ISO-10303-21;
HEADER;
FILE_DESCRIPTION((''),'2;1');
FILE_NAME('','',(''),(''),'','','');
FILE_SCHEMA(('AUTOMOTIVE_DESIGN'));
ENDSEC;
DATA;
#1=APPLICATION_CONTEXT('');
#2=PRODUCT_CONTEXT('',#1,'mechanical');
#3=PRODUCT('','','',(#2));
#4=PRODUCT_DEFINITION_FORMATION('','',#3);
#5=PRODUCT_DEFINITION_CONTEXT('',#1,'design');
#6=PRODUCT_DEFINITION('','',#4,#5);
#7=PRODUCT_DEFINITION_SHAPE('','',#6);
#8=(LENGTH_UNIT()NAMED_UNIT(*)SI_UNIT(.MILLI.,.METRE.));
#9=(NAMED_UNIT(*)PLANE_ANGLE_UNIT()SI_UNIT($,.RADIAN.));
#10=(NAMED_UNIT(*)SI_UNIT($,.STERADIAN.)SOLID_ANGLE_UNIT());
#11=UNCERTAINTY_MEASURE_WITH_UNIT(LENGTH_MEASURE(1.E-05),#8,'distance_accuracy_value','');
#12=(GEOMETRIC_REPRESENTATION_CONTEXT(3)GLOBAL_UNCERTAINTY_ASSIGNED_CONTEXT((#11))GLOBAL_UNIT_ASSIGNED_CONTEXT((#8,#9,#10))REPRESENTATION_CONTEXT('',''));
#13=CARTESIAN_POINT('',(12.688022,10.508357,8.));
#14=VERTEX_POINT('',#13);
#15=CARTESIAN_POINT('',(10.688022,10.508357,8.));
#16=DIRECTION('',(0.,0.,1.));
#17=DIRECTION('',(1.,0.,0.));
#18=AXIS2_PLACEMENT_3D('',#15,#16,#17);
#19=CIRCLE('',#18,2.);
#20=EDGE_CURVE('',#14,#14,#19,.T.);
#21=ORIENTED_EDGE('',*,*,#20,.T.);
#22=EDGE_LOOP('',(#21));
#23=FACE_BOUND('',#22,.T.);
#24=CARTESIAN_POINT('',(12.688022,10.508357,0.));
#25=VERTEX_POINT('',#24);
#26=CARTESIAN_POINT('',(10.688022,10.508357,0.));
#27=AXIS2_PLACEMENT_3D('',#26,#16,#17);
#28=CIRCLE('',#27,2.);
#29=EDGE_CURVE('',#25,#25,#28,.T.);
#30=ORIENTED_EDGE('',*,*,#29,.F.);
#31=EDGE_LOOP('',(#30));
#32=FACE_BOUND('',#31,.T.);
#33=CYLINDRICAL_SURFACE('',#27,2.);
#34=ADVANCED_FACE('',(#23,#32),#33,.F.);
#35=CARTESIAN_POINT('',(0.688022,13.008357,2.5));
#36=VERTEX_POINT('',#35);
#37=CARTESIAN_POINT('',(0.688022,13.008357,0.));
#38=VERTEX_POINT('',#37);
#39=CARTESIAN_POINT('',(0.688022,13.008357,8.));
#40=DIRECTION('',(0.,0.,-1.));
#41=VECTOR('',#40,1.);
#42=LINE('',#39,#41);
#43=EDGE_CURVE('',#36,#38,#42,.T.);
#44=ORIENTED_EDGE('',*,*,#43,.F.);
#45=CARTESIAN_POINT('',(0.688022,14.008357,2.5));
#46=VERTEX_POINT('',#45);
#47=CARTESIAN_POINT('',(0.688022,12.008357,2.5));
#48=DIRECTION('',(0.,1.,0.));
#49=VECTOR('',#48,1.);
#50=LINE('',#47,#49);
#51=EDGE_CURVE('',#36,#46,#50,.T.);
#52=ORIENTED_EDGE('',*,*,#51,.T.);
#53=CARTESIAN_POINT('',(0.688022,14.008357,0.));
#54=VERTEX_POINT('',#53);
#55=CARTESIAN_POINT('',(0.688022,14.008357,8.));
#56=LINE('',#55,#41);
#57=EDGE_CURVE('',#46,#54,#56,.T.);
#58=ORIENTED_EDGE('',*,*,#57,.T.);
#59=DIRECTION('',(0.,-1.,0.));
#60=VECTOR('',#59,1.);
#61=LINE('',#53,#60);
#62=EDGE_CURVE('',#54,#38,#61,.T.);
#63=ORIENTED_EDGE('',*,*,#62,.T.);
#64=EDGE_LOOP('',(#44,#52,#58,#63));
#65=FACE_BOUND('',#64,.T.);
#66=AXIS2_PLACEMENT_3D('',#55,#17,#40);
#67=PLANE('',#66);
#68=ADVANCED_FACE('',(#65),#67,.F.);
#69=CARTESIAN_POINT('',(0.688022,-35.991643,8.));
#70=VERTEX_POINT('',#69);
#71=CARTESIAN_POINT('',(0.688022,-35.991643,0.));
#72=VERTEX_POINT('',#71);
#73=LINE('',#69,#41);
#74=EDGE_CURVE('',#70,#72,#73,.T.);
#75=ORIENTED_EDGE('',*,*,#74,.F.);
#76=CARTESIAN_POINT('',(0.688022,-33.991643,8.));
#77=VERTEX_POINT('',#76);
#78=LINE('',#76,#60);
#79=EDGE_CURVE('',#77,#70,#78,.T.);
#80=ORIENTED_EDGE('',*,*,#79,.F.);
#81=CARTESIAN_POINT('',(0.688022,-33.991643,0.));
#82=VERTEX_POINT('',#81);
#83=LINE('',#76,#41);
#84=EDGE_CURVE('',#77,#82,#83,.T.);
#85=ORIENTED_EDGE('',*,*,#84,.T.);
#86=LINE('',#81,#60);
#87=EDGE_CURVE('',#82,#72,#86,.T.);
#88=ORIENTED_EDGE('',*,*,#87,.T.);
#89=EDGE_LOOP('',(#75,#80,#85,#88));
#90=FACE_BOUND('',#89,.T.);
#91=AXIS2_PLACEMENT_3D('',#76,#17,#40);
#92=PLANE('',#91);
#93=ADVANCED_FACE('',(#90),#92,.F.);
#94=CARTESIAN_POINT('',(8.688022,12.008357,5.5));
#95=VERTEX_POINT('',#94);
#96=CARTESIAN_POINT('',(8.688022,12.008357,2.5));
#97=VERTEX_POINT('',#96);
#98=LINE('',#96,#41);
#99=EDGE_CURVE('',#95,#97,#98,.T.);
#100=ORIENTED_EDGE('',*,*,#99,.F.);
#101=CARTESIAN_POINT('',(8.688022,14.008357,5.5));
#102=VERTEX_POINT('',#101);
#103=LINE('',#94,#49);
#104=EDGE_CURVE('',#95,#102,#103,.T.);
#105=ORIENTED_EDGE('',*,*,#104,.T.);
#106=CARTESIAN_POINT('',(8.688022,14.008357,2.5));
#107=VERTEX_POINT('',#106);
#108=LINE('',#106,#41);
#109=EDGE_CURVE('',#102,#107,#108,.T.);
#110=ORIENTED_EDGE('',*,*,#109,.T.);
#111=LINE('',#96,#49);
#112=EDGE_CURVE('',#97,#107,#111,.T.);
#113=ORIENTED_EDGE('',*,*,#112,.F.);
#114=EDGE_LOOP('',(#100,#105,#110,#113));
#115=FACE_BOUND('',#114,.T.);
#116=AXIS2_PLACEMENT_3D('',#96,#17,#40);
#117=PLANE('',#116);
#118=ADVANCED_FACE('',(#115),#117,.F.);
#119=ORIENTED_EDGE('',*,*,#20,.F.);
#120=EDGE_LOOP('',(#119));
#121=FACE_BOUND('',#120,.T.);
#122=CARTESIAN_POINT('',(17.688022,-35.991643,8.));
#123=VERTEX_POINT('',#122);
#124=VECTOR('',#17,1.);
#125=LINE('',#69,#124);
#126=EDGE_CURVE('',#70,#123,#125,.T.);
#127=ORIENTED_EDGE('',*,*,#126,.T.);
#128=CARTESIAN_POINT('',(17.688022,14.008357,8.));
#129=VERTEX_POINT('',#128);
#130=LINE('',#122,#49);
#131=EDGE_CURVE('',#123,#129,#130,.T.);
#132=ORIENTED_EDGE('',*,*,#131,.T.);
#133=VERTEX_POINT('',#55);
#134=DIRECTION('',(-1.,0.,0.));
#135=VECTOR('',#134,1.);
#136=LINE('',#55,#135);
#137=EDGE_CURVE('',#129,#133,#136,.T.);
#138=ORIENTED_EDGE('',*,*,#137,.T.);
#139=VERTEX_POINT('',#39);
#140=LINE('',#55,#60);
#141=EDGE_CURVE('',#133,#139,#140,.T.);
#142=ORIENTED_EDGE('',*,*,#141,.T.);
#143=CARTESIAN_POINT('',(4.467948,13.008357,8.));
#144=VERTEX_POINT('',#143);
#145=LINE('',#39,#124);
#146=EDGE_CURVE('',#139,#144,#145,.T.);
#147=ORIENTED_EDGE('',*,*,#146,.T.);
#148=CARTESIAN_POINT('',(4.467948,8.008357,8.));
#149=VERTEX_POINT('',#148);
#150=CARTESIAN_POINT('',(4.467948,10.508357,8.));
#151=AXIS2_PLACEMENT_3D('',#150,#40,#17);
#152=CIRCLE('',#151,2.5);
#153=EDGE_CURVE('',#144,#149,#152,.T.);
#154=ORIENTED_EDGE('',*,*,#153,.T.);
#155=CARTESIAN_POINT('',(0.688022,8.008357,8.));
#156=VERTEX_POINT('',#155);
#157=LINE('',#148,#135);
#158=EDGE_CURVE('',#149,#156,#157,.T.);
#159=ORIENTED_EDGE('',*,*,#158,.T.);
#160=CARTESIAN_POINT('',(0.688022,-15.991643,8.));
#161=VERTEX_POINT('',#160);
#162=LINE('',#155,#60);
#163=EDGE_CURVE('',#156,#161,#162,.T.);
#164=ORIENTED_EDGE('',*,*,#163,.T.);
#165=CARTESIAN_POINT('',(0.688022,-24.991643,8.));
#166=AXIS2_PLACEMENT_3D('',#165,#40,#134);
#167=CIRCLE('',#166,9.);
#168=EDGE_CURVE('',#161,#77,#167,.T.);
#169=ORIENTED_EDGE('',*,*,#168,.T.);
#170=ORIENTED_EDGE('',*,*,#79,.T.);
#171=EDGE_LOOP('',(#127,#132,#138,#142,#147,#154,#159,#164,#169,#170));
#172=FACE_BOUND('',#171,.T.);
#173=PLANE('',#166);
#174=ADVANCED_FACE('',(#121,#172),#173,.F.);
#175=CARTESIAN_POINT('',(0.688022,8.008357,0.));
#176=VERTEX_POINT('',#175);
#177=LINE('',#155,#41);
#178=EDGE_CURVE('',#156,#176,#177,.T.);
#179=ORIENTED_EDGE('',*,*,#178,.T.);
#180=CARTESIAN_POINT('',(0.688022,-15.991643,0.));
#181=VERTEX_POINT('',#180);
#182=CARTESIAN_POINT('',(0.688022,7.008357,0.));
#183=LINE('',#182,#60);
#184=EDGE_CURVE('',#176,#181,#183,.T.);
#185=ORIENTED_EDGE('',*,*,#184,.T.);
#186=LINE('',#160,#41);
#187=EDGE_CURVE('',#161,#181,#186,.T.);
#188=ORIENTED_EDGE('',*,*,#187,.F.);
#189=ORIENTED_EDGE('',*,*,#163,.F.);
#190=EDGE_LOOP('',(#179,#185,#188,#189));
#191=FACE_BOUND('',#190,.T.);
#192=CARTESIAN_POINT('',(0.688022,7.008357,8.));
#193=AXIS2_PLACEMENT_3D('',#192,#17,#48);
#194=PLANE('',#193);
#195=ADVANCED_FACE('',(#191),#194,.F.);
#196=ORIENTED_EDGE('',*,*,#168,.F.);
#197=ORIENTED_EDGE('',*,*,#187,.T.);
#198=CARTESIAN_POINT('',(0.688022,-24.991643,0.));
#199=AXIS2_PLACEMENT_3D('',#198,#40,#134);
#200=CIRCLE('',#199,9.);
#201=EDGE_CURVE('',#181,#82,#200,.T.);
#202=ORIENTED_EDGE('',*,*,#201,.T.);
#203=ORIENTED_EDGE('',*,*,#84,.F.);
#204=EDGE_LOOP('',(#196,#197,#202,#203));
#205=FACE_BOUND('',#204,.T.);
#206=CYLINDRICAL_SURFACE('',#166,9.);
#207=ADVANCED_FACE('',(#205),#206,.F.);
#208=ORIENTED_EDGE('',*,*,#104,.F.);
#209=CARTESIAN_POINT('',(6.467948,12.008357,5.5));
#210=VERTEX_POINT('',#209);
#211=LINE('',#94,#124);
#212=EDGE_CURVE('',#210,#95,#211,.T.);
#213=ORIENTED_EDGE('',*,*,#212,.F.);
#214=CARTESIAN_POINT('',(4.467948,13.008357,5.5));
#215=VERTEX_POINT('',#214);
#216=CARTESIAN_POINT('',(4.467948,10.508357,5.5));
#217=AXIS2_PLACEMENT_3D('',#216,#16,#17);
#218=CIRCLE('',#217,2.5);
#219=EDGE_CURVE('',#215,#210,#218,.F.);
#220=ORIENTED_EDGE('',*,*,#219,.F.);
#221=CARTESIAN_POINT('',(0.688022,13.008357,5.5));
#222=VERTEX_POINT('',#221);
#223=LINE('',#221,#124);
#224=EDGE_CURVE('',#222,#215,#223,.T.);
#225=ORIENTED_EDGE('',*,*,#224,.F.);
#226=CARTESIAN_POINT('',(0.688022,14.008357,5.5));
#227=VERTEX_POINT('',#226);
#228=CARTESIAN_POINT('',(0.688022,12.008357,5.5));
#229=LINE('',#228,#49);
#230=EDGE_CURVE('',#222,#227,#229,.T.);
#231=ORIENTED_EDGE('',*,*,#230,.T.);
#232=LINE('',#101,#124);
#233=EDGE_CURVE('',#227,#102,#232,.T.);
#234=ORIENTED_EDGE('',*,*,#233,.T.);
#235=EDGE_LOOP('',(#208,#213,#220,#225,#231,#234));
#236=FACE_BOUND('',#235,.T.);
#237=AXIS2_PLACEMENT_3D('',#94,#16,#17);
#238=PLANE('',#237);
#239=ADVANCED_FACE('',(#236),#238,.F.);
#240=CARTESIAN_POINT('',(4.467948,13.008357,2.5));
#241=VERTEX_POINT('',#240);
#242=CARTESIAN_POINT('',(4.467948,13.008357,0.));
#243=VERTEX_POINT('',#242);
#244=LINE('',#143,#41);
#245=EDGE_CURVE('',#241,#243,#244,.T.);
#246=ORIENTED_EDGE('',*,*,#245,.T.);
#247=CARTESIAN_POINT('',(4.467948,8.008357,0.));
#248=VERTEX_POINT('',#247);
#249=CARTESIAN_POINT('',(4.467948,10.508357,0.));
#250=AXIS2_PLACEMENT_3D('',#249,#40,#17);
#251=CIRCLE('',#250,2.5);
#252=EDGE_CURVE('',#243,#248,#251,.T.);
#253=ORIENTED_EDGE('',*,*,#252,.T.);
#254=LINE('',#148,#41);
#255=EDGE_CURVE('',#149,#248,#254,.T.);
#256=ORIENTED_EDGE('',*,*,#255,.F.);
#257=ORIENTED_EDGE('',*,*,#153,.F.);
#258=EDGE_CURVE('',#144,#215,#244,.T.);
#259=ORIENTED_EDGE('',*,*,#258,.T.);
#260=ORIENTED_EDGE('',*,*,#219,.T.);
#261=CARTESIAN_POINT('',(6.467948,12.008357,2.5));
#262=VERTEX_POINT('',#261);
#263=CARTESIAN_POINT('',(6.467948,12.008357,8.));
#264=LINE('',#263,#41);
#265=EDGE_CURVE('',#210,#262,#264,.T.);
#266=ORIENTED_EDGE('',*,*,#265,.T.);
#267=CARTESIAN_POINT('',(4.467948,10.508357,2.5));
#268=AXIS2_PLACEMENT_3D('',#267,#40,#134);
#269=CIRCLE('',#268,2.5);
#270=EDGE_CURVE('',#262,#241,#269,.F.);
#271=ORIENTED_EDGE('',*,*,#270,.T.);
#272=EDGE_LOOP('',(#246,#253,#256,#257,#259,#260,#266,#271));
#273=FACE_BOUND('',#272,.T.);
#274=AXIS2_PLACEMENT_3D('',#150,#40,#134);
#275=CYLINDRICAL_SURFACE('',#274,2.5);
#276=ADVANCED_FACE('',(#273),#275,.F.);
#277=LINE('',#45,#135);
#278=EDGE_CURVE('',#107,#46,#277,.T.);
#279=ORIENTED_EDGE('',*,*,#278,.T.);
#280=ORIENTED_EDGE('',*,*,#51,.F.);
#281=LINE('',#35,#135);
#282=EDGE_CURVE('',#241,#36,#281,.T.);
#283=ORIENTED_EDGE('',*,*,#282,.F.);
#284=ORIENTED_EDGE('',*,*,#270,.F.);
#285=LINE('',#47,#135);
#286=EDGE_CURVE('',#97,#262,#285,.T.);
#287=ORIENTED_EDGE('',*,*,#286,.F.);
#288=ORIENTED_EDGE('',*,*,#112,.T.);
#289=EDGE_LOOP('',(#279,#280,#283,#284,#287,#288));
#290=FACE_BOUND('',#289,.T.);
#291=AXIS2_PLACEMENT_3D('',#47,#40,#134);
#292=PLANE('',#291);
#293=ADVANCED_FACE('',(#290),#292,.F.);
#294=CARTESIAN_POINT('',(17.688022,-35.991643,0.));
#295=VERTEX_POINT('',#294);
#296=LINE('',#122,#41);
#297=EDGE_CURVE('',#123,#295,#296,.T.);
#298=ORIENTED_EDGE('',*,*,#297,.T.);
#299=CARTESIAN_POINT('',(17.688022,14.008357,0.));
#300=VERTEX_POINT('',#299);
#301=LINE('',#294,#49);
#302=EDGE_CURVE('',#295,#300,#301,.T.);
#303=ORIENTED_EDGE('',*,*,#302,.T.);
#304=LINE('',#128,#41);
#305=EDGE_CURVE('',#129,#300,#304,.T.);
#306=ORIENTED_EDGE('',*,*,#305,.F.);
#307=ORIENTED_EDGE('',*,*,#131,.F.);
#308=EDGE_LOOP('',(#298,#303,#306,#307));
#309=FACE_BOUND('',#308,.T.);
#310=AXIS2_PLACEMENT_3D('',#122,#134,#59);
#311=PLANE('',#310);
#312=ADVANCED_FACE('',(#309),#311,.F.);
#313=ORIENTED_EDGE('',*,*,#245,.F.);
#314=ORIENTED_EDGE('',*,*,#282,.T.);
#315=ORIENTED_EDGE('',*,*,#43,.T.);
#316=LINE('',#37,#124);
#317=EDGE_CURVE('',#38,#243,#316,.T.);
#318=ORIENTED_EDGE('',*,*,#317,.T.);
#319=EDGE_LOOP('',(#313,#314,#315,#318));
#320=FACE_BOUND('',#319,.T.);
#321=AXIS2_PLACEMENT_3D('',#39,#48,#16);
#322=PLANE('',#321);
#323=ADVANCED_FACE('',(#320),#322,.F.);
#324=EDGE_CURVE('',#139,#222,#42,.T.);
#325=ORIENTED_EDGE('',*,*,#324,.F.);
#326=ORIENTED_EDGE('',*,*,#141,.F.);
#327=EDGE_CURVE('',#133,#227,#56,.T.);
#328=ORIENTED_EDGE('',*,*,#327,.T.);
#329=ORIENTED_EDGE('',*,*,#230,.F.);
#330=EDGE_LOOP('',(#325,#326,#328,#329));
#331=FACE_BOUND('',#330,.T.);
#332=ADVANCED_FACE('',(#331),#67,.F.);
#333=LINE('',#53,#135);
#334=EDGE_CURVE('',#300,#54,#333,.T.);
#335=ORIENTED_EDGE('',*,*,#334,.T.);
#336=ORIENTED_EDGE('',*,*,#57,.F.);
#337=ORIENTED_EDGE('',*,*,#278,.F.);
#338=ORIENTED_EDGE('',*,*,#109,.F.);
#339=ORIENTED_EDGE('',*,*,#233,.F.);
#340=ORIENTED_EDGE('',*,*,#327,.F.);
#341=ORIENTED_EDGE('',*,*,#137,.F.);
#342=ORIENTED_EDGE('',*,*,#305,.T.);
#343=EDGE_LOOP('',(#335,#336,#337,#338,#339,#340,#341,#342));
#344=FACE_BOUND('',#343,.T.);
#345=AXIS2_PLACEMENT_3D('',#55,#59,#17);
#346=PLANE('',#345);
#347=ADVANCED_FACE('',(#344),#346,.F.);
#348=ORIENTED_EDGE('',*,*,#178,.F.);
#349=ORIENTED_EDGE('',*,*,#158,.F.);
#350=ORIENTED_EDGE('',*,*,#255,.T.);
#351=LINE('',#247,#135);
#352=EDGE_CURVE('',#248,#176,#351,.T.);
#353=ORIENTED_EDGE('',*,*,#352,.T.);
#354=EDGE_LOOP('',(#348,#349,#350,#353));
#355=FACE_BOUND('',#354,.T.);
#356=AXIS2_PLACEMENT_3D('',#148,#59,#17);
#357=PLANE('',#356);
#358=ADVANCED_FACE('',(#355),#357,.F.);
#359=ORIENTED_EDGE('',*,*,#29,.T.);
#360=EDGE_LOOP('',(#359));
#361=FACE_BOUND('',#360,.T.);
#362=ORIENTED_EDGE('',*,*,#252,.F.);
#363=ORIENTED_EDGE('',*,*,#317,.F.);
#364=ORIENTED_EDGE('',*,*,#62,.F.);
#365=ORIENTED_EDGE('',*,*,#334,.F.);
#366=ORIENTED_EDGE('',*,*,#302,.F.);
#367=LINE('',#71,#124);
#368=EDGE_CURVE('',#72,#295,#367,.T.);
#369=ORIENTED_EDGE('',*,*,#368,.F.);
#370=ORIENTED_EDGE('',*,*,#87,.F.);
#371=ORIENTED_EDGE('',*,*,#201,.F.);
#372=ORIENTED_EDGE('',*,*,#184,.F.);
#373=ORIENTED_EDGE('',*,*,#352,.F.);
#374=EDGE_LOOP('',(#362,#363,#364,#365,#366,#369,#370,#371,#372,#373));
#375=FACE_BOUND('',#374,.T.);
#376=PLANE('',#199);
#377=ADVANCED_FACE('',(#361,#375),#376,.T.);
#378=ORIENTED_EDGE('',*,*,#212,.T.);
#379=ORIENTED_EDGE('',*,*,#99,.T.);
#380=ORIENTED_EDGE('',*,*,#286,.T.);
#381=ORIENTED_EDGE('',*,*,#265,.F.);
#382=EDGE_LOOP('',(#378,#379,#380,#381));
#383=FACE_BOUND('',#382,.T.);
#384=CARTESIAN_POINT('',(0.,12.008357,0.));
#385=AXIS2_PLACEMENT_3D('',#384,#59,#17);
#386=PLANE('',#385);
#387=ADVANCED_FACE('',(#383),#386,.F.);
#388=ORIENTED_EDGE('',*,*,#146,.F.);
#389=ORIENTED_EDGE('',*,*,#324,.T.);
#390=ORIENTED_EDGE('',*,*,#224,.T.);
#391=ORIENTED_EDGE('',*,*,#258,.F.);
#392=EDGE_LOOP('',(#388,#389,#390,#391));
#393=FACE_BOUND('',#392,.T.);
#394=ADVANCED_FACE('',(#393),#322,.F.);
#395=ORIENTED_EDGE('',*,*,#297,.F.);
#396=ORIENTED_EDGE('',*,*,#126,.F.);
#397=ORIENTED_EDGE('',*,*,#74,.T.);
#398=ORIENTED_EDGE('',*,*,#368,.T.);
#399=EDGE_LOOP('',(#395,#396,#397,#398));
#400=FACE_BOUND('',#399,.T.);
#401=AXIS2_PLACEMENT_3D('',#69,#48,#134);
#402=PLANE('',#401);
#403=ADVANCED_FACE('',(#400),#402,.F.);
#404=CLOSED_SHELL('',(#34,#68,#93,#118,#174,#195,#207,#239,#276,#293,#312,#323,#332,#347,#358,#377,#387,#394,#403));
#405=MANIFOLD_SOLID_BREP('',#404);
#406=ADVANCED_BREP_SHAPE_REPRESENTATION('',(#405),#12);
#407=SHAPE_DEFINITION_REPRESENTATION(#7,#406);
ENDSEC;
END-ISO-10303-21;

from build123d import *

# Parameters (mm, degrees)
BOSS_EXTRUDE1_DEPTH = 8
SKETCH2_R           = 2
CUT_EXTRUDE1_DEPTH  = 8
SKETCH3_W           = 8
SKETCH3_H           = 3
CUT_EXTRUDE2_DEPTH  = 2


with BuildPart() as part:
    # Sketch1 → Boss-Extrude1 (new body)
    with BuildSketch(Plane.XY):
        with BuildLine():
            Line((0.688022284, 7.008356546), (0.688022284, -15.991643454))
            ThreePointArc((0.688022284, -15.991643454), (9.688022284, -24.991643454), (0.688022284, -33.991643454))
            Line((0.688022284, -33.991643454), (0.688022284, -35.991643454))
            Line((0.688022284, -35.991643454), (17.688022284, -35.991643454))
            Line((17.688022284, -35.991643454), (17.688022284, 14.008356546))
            Line((17.688022284, 14.008356546), (0.688022284, 14.008356546))
            Line((0.688022284, 14.008356546), (0.688022284, 13.008356546))
            Line((0.688022284, 13.008356546), (4.46794824, 13.008356546))
            ThreePointArc((4.46794824, 13.008356546), (6.96794824, 10.508356546), (4.46794824, 8.008356546))
            Line((4.46794824, 8.008356546), (0.688022284, 8.008356546))
            Line((0.688022284, 8.008356546), (0.688022284, 7.008356546))
        make_face()
    extrude(amount=BOSS_EXTRUDE1_DEPTH)

    # Sketch2 → Cut-Extrude1 (cut)
    with BuildSketch(Plane.XY.offset(8)):
        with Locations((10.688022284, 10.508356546)):
            Circle(SKETCH2_R)
    extrude(amount=-CUT_EXTRUDE1_DEPTH, mode=Mode.SUBTRACT)

    # Sketch3 → Cut-Extrude2 (cut)
    with BuildSketch(Plane(origin=(0, 14.008356546, 0), x_dir=(1, 0, 0), z_dir=(0, 1, 0))):
        with Locations((4.688022284, -4)):
            Rectangle(SKETCH3_W, SKETCH3_H)
    extrude(amount=-CUT_EXTRUDE2_DEPTH, mode=Mode.SUBTRACT)


solid = part.part
